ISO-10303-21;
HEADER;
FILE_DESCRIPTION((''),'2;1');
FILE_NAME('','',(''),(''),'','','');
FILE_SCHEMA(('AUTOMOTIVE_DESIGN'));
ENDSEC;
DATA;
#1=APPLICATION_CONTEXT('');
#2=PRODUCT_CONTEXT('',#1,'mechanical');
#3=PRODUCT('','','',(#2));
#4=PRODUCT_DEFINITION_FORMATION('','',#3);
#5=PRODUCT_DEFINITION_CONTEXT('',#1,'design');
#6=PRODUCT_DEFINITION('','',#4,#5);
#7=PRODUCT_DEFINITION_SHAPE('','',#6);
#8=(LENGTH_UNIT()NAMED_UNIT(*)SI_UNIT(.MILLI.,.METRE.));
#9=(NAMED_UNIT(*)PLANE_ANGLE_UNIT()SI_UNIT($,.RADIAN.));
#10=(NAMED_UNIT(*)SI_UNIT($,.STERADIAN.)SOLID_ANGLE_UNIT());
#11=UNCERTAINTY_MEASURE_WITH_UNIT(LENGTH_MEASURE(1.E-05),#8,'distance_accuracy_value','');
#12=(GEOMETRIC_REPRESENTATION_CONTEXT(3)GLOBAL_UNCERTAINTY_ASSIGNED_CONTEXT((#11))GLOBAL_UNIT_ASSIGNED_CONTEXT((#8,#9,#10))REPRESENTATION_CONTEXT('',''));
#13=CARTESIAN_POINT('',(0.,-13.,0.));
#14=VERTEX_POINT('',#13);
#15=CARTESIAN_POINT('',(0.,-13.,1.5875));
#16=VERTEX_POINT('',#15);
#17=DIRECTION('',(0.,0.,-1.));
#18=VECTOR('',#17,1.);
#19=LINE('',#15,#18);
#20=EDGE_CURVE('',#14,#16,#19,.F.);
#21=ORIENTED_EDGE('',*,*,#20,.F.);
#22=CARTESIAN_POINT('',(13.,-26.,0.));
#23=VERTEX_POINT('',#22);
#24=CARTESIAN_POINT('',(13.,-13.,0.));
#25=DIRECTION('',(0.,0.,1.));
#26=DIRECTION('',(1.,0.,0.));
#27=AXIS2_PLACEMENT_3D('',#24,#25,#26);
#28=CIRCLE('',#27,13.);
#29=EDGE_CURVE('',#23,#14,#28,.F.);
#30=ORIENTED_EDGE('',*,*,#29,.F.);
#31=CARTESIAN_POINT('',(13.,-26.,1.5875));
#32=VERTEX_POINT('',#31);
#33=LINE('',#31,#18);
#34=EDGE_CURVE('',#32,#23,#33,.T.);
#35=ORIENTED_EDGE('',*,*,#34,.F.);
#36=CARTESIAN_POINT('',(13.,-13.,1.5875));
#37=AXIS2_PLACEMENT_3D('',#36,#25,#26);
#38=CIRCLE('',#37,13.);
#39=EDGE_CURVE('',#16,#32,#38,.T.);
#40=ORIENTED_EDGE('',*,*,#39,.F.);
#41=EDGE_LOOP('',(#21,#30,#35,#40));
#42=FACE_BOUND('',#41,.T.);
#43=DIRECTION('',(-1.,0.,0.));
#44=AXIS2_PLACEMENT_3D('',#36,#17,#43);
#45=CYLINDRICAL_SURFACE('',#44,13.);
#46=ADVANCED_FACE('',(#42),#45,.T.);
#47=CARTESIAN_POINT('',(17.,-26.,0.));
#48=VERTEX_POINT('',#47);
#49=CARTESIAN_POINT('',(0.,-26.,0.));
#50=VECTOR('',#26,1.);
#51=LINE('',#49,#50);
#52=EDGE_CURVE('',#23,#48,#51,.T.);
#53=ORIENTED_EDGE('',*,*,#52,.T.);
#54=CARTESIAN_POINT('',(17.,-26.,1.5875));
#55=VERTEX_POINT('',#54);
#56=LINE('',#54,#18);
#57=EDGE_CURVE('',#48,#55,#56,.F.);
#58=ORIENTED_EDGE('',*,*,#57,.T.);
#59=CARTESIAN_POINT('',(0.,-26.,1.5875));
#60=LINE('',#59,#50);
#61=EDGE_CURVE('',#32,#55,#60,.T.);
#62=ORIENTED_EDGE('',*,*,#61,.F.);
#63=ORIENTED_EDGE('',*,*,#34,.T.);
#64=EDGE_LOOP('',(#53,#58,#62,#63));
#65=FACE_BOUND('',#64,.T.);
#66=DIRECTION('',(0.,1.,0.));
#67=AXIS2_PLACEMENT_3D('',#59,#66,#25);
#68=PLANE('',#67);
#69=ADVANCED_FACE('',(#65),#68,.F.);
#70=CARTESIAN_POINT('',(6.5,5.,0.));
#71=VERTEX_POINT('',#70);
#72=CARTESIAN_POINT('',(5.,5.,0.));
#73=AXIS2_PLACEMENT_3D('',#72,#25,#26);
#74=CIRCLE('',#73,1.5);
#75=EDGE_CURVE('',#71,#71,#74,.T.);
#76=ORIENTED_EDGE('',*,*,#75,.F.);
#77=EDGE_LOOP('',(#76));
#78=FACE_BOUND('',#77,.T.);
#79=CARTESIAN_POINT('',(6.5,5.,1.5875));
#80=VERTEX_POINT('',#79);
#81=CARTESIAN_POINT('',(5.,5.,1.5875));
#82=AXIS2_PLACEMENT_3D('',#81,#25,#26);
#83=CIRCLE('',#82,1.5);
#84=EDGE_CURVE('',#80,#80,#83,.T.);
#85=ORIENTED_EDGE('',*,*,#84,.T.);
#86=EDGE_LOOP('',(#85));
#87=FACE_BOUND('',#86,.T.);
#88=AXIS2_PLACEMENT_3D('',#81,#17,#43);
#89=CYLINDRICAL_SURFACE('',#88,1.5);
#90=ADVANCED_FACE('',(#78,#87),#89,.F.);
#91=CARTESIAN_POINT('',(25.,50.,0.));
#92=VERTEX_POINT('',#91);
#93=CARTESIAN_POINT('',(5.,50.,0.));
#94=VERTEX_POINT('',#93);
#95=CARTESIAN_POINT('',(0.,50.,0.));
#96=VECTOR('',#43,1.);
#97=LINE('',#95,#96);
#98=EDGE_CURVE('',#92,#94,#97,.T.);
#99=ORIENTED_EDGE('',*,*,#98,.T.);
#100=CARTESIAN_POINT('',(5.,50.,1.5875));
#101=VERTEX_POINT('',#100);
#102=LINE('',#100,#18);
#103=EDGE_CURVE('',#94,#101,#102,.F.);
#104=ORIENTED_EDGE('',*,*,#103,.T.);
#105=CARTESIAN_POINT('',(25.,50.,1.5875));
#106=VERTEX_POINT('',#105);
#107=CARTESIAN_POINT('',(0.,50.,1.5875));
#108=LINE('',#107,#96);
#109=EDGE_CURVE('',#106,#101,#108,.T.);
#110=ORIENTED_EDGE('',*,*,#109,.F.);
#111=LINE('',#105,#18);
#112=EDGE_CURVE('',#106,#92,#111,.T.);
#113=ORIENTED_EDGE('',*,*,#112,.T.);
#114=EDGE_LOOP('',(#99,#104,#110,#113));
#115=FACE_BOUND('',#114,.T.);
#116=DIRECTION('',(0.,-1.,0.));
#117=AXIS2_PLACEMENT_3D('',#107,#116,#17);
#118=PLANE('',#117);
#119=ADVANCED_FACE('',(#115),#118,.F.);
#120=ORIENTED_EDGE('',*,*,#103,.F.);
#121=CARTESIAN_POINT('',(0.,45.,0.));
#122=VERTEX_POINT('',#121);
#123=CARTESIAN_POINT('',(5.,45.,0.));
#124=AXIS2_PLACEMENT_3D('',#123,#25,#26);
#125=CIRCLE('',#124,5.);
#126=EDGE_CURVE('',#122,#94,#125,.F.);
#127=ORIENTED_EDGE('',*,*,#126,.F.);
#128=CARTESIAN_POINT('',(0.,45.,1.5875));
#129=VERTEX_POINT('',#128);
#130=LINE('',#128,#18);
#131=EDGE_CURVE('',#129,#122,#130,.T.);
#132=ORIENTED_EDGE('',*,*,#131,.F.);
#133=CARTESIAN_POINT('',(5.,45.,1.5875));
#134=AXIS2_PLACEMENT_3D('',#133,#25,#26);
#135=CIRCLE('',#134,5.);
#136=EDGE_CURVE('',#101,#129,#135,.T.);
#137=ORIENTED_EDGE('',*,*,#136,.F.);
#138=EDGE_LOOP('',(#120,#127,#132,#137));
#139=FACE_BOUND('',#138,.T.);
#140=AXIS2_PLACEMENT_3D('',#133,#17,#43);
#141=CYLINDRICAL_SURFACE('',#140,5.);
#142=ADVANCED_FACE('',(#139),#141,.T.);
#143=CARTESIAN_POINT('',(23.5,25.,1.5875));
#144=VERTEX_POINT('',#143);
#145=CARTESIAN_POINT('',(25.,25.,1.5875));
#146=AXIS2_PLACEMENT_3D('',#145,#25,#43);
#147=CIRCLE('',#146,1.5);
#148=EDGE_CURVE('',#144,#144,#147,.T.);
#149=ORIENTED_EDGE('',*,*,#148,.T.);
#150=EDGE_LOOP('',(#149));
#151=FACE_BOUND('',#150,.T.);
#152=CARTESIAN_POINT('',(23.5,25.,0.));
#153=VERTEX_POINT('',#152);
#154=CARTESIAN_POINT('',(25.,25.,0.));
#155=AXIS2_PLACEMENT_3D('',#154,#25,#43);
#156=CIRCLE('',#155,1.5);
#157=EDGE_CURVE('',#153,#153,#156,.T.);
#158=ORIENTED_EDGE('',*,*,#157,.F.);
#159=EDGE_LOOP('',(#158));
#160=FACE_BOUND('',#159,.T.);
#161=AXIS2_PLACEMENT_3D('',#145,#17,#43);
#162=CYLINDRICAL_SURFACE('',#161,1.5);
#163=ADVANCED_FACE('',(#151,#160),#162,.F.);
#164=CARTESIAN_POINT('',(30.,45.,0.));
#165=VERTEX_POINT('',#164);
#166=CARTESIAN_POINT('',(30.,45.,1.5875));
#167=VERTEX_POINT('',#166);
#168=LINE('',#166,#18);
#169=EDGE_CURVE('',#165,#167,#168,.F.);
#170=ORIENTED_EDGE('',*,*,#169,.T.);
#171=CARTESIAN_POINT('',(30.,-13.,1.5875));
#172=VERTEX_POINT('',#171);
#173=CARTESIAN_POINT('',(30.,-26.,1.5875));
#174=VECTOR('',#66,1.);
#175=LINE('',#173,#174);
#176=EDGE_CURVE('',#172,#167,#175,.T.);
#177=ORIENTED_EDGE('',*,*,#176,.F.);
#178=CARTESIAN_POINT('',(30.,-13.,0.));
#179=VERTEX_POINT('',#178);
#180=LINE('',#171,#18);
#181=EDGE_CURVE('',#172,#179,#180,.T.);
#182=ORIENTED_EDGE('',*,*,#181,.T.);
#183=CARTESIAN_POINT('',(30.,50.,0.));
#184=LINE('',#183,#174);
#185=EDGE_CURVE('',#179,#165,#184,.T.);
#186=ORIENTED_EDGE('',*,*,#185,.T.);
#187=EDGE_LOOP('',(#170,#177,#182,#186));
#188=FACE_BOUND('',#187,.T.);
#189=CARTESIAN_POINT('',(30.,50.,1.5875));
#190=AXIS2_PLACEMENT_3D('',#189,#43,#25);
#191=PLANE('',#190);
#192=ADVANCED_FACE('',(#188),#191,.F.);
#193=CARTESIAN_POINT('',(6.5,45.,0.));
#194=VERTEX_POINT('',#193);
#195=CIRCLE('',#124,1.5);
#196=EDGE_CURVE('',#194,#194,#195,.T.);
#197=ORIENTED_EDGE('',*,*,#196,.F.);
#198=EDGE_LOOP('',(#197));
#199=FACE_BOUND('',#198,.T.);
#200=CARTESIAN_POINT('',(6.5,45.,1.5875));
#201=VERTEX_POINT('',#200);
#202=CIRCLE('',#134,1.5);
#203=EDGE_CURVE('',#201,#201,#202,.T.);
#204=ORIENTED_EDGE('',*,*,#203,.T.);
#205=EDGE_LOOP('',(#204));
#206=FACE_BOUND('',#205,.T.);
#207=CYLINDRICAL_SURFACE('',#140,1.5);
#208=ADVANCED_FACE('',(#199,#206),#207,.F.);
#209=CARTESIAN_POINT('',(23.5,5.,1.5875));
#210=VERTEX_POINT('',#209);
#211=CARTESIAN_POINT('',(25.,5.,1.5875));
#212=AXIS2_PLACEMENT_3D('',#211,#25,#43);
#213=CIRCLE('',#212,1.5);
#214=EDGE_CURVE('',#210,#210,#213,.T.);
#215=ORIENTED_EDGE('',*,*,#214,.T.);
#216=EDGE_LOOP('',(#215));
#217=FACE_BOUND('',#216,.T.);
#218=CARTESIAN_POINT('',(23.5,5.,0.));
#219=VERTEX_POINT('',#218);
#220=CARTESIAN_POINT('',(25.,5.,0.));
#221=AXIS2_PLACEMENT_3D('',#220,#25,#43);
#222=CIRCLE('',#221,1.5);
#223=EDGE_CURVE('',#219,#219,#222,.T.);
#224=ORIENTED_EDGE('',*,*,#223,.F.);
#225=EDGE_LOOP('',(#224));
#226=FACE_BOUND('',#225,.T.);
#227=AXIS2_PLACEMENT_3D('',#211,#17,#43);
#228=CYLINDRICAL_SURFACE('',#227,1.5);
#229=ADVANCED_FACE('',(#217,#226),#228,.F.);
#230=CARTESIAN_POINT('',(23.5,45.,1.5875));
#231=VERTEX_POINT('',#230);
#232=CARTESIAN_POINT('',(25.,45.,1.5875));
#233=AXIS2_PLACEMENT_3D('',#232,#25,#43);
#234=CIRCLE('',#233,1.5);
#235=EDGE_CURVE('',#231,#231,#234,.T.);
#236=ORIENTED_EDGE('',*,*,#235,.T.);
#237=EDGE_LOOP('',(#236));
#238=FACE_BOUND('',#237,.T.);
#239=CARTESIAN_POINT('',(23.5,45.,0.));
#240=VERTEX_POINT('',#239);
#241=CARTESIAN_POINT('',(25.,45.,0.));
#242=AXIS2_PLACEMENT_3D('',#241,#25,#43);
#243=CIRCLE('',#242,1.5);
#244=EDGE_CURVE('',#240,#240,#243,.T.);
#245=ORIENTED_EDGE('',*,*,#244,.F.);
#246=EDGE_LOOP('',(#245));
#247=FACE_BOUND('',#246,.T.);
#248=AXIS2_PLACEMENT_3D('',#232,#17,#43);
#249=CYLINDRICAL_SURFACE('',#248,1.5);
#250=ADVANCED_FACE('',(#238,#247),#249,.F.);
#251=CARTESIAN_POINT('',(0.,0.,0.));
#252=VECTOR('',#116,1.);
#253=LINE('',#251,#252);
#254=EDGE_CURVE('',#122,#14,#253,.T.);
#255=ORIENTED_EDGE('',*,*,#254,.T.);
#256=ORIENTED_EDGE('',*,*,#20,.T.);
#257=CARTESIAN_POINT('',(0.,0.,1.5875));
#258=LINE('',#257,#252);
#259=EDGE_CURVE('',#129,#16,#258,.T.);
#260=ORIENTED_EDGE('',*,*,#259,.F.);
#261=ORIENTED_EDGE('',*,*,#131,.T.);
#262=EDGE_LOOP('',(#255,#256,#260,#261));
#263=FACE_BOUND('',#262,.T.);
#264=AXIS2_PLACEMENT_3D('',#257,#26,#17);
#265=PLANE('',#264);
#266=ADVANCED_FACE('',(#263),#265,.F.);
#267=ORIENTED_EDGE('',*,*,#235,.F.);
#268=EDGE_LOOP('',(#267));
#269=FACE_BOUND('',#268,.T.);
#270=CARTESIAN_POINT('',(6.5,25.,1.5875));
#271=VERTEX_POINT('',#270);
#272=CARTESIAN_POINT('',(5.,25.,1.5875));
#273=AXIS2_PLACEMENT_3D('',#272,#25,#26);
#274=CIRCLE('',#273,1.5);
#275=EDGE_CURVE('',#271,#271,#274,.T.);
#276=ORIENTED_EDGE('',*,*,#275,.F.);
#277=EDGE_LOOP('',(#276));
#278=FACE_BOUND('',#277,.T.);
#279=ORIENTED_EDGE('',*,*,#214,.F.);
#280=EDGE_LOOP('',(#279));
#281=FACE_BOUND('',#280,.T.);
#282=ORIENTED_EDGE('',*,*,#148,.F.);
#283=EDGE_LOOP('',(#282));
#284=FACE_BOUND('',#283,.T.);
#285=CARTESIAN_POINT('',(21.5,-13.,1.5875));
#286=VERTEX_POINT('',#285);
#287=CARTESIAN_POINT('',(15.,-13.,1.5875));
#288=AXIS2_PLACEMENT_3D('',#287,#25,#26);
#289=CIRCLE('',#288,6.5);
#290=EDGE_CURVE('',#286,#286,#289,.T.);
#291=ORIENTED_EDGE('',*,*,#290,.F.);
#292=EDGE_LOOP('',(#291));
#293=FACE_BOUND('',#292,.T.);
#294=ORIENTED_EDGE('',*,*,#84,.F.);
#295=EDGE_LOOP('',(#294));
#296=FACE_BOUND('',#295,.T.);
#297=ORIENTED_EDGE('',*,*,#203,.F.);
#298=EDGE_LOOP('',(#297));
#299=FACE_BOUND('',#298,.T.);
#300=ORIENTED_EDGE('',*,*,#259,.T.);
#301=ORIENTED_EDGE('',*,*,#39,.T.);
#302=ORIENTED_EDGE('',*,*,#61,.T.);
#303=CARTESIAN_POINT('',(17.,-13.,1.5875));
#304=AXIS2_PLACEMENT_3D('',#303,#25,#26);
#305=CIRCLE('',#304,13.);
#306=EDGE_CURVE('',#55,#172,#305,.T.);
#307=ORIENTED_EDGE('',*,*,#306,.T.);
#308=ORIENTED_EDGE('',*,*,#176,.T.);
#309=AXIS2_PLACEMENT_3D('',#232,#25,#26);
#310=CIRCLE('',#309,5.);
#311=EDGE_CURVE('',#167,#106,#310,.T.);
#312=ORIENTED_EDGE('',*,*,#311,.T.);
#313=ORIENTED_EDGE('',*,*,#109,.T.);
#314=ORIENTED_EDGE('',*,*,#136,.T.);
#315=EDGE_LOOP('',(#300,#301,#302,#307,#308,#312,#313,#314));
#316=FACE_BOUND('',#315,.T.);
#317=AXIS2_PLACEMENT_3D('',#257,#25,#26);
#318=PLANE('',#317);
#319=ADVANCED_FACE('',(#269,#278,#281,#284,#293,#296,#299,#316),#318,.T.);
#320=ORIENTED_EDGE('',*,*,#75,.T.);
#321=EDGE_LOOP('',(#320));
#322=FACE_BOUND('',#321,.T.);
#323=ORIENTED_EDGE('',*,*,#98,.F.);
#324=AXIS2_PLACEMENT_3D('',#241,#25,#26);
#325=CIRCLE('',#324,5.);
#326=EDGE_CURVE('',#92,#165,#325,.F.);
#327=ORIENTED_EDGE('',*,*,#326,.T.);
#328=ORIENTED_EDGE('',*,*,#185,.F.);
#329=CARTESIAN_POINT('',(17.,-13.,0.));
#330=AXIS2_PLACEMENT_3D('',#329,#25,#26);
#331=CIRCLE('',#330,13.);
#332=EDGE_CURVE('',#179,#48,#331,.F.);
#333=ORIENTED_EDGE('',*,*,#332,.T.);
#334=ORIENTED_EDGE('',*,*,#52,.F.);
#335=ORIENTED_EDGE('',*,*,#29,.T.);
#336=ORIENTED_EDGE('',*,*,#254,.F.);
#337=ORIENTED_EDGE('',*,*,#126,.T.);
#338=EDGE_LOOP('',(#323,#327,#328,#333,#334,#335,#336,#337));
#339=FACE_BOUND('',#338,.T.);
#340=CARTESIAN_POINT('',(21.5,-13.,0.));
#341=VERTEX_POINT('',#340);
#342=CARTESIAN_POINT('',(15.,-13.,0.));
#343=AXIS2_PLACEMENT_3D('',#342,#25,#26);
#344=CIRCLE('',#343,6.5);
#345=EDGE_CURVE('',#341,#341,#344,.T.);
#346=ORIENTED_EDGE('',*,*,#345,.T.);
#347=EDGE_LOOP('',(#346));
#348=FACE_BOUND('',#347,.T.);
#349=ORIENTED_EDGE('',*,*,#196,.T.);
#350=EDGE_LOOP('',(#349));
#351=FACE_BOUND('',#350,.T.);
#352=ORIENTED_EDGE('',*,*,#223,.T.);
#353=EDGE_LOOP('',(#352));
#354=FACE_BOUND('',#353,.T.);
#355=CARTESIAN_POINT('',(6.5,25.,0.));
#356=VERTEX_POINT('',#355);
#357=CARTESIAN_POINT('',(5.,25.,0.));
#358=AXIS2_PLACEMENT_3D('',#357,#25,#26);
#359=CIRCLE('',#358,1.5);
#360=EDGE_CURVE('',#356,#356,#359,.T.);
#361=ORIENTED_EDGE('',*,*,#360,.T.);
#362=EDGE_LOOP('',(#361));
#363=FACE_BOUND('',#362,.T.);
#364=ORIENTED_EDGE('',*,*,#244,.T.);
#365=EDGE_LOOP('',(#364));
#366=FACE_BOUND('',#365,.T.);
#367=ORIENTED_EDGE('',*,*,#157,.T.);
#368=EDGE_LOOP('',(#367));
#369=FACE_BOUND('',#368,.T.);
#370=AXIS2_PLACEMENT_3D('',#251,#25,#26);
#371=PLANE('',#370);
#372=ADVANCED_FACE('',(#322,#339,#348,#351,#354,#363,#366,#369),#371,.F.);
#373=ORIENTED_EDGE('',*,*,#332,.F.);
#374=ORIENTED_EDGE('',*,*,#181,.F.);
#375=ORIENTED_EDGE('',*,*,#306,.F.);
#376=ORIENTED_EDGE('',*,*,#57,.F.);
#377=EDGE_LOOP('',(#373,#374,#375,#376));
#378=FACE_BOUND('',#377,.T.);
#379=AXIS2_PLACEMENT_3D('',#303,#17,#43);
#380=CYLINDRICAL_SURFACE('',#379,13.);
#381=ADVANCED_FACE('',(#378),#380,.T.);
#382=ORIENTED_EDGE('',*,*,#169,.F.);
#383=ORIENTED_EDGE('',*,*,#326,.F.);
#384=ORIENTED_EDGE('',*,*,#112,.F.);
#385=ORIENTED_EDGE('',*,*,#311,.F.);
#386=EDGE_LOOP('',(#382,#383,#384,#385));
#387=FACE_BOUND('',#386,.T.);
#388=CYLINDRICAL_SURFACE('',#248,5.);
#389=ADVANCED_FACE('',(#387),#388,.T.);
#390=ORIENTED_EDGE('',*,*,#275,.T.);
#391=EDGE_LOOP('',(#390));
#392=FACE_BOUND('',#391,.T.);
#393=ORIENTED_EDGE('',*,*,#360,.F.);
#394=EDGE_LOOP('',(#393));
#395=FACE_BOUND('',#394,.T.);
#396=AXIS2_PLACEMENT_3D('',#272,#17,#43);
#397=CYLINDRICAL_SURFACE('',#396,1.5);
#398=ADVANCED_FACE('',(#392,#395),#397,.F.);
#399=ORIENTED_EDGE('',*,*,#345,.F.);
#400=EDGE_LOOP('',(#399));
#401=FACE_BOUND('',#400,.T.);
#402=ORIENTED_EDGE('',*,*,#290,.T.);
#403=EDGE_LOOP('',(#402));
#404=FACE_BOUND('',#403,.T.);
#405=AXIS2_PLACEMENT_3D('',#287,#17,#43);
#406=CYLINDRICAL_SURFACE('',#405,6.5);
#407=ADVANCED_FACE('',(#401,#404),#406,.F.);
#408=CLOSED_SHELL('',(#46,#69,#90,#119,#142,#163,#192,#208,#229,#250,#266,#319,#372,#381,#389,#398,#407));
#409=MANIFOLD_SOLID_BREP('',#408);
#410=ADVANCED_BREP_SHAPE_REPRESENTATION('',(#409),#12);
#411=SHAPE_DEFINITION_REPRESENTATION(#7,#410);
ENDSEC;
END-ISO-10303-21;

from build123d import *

# Parameters (mm, degrees)
SKETCH1_R           = 6.5
SKETCH1_R_2         = 1.5
BOSS_EXTRUDE1_DEPTH = 1.5875
FILLET1_R           = 5
FILLET2_R           = 13


with BuildPart() as part:
    # Sketch1 → Boss-Extrude1 (new body)
    with BuildSketch(Plane.XY):
        Polygon((0, 0), (0, 50), (30, 50), (30, 0), (30, -26), (0, -26), align=None)
        with Locations((15, -13)):
            Circle(SKETCH1_R, mode=Mode.SUBTRACT)
        with Locations((5, 45)):
            Circle(SKETCH1_R_2, mode=Mode.SUBTRACT)
        with Locations((5, 25)):
            Circle(SKETCH1_R_2, mode=Mode.SUBTRACT)
        with Locations((5, 5)):
            Circle(SKETCH1_R_2, mode=Mode.SUBTRACT)
        with Locations(Location((25, 5, 0), (0, 0, 180))):
            Circle(SKETCH1_R_2, mode=Mode.SUBTRACT)
        with Locations(Location((25, 25, 0), (0, 0, 180))):
            Circle(SKETCH1_R_2, mode=Mode.SUBTRACT)
        with Locations(Location((25, 45, 0), (0, 0, 180))):
            Circle(SKETCH1_R_2, mode=Mode.SUBTRACT)
    extrude(amount=BOSS_EXTRUDE1_DEPTH)

    # Fillet1
    fillet1_edges = [part.edges().sort_by_distance(p)[0] for p in [
        (0, 50, 0.79375),
        (30, 50, 0.79375),
    ]]
    fillet(fillet1_edges, radius=FILLET1_R)

    # Fillet2
    fillet2_edges = [part.edges().sort_by_distance(p)[0] for p in [
        (30, -26, 0.79375),
        (0, -26, 0.79375),
    ]]
    fillet(fillet2_edges, radius=FILLET2_R)


solid = part.part
